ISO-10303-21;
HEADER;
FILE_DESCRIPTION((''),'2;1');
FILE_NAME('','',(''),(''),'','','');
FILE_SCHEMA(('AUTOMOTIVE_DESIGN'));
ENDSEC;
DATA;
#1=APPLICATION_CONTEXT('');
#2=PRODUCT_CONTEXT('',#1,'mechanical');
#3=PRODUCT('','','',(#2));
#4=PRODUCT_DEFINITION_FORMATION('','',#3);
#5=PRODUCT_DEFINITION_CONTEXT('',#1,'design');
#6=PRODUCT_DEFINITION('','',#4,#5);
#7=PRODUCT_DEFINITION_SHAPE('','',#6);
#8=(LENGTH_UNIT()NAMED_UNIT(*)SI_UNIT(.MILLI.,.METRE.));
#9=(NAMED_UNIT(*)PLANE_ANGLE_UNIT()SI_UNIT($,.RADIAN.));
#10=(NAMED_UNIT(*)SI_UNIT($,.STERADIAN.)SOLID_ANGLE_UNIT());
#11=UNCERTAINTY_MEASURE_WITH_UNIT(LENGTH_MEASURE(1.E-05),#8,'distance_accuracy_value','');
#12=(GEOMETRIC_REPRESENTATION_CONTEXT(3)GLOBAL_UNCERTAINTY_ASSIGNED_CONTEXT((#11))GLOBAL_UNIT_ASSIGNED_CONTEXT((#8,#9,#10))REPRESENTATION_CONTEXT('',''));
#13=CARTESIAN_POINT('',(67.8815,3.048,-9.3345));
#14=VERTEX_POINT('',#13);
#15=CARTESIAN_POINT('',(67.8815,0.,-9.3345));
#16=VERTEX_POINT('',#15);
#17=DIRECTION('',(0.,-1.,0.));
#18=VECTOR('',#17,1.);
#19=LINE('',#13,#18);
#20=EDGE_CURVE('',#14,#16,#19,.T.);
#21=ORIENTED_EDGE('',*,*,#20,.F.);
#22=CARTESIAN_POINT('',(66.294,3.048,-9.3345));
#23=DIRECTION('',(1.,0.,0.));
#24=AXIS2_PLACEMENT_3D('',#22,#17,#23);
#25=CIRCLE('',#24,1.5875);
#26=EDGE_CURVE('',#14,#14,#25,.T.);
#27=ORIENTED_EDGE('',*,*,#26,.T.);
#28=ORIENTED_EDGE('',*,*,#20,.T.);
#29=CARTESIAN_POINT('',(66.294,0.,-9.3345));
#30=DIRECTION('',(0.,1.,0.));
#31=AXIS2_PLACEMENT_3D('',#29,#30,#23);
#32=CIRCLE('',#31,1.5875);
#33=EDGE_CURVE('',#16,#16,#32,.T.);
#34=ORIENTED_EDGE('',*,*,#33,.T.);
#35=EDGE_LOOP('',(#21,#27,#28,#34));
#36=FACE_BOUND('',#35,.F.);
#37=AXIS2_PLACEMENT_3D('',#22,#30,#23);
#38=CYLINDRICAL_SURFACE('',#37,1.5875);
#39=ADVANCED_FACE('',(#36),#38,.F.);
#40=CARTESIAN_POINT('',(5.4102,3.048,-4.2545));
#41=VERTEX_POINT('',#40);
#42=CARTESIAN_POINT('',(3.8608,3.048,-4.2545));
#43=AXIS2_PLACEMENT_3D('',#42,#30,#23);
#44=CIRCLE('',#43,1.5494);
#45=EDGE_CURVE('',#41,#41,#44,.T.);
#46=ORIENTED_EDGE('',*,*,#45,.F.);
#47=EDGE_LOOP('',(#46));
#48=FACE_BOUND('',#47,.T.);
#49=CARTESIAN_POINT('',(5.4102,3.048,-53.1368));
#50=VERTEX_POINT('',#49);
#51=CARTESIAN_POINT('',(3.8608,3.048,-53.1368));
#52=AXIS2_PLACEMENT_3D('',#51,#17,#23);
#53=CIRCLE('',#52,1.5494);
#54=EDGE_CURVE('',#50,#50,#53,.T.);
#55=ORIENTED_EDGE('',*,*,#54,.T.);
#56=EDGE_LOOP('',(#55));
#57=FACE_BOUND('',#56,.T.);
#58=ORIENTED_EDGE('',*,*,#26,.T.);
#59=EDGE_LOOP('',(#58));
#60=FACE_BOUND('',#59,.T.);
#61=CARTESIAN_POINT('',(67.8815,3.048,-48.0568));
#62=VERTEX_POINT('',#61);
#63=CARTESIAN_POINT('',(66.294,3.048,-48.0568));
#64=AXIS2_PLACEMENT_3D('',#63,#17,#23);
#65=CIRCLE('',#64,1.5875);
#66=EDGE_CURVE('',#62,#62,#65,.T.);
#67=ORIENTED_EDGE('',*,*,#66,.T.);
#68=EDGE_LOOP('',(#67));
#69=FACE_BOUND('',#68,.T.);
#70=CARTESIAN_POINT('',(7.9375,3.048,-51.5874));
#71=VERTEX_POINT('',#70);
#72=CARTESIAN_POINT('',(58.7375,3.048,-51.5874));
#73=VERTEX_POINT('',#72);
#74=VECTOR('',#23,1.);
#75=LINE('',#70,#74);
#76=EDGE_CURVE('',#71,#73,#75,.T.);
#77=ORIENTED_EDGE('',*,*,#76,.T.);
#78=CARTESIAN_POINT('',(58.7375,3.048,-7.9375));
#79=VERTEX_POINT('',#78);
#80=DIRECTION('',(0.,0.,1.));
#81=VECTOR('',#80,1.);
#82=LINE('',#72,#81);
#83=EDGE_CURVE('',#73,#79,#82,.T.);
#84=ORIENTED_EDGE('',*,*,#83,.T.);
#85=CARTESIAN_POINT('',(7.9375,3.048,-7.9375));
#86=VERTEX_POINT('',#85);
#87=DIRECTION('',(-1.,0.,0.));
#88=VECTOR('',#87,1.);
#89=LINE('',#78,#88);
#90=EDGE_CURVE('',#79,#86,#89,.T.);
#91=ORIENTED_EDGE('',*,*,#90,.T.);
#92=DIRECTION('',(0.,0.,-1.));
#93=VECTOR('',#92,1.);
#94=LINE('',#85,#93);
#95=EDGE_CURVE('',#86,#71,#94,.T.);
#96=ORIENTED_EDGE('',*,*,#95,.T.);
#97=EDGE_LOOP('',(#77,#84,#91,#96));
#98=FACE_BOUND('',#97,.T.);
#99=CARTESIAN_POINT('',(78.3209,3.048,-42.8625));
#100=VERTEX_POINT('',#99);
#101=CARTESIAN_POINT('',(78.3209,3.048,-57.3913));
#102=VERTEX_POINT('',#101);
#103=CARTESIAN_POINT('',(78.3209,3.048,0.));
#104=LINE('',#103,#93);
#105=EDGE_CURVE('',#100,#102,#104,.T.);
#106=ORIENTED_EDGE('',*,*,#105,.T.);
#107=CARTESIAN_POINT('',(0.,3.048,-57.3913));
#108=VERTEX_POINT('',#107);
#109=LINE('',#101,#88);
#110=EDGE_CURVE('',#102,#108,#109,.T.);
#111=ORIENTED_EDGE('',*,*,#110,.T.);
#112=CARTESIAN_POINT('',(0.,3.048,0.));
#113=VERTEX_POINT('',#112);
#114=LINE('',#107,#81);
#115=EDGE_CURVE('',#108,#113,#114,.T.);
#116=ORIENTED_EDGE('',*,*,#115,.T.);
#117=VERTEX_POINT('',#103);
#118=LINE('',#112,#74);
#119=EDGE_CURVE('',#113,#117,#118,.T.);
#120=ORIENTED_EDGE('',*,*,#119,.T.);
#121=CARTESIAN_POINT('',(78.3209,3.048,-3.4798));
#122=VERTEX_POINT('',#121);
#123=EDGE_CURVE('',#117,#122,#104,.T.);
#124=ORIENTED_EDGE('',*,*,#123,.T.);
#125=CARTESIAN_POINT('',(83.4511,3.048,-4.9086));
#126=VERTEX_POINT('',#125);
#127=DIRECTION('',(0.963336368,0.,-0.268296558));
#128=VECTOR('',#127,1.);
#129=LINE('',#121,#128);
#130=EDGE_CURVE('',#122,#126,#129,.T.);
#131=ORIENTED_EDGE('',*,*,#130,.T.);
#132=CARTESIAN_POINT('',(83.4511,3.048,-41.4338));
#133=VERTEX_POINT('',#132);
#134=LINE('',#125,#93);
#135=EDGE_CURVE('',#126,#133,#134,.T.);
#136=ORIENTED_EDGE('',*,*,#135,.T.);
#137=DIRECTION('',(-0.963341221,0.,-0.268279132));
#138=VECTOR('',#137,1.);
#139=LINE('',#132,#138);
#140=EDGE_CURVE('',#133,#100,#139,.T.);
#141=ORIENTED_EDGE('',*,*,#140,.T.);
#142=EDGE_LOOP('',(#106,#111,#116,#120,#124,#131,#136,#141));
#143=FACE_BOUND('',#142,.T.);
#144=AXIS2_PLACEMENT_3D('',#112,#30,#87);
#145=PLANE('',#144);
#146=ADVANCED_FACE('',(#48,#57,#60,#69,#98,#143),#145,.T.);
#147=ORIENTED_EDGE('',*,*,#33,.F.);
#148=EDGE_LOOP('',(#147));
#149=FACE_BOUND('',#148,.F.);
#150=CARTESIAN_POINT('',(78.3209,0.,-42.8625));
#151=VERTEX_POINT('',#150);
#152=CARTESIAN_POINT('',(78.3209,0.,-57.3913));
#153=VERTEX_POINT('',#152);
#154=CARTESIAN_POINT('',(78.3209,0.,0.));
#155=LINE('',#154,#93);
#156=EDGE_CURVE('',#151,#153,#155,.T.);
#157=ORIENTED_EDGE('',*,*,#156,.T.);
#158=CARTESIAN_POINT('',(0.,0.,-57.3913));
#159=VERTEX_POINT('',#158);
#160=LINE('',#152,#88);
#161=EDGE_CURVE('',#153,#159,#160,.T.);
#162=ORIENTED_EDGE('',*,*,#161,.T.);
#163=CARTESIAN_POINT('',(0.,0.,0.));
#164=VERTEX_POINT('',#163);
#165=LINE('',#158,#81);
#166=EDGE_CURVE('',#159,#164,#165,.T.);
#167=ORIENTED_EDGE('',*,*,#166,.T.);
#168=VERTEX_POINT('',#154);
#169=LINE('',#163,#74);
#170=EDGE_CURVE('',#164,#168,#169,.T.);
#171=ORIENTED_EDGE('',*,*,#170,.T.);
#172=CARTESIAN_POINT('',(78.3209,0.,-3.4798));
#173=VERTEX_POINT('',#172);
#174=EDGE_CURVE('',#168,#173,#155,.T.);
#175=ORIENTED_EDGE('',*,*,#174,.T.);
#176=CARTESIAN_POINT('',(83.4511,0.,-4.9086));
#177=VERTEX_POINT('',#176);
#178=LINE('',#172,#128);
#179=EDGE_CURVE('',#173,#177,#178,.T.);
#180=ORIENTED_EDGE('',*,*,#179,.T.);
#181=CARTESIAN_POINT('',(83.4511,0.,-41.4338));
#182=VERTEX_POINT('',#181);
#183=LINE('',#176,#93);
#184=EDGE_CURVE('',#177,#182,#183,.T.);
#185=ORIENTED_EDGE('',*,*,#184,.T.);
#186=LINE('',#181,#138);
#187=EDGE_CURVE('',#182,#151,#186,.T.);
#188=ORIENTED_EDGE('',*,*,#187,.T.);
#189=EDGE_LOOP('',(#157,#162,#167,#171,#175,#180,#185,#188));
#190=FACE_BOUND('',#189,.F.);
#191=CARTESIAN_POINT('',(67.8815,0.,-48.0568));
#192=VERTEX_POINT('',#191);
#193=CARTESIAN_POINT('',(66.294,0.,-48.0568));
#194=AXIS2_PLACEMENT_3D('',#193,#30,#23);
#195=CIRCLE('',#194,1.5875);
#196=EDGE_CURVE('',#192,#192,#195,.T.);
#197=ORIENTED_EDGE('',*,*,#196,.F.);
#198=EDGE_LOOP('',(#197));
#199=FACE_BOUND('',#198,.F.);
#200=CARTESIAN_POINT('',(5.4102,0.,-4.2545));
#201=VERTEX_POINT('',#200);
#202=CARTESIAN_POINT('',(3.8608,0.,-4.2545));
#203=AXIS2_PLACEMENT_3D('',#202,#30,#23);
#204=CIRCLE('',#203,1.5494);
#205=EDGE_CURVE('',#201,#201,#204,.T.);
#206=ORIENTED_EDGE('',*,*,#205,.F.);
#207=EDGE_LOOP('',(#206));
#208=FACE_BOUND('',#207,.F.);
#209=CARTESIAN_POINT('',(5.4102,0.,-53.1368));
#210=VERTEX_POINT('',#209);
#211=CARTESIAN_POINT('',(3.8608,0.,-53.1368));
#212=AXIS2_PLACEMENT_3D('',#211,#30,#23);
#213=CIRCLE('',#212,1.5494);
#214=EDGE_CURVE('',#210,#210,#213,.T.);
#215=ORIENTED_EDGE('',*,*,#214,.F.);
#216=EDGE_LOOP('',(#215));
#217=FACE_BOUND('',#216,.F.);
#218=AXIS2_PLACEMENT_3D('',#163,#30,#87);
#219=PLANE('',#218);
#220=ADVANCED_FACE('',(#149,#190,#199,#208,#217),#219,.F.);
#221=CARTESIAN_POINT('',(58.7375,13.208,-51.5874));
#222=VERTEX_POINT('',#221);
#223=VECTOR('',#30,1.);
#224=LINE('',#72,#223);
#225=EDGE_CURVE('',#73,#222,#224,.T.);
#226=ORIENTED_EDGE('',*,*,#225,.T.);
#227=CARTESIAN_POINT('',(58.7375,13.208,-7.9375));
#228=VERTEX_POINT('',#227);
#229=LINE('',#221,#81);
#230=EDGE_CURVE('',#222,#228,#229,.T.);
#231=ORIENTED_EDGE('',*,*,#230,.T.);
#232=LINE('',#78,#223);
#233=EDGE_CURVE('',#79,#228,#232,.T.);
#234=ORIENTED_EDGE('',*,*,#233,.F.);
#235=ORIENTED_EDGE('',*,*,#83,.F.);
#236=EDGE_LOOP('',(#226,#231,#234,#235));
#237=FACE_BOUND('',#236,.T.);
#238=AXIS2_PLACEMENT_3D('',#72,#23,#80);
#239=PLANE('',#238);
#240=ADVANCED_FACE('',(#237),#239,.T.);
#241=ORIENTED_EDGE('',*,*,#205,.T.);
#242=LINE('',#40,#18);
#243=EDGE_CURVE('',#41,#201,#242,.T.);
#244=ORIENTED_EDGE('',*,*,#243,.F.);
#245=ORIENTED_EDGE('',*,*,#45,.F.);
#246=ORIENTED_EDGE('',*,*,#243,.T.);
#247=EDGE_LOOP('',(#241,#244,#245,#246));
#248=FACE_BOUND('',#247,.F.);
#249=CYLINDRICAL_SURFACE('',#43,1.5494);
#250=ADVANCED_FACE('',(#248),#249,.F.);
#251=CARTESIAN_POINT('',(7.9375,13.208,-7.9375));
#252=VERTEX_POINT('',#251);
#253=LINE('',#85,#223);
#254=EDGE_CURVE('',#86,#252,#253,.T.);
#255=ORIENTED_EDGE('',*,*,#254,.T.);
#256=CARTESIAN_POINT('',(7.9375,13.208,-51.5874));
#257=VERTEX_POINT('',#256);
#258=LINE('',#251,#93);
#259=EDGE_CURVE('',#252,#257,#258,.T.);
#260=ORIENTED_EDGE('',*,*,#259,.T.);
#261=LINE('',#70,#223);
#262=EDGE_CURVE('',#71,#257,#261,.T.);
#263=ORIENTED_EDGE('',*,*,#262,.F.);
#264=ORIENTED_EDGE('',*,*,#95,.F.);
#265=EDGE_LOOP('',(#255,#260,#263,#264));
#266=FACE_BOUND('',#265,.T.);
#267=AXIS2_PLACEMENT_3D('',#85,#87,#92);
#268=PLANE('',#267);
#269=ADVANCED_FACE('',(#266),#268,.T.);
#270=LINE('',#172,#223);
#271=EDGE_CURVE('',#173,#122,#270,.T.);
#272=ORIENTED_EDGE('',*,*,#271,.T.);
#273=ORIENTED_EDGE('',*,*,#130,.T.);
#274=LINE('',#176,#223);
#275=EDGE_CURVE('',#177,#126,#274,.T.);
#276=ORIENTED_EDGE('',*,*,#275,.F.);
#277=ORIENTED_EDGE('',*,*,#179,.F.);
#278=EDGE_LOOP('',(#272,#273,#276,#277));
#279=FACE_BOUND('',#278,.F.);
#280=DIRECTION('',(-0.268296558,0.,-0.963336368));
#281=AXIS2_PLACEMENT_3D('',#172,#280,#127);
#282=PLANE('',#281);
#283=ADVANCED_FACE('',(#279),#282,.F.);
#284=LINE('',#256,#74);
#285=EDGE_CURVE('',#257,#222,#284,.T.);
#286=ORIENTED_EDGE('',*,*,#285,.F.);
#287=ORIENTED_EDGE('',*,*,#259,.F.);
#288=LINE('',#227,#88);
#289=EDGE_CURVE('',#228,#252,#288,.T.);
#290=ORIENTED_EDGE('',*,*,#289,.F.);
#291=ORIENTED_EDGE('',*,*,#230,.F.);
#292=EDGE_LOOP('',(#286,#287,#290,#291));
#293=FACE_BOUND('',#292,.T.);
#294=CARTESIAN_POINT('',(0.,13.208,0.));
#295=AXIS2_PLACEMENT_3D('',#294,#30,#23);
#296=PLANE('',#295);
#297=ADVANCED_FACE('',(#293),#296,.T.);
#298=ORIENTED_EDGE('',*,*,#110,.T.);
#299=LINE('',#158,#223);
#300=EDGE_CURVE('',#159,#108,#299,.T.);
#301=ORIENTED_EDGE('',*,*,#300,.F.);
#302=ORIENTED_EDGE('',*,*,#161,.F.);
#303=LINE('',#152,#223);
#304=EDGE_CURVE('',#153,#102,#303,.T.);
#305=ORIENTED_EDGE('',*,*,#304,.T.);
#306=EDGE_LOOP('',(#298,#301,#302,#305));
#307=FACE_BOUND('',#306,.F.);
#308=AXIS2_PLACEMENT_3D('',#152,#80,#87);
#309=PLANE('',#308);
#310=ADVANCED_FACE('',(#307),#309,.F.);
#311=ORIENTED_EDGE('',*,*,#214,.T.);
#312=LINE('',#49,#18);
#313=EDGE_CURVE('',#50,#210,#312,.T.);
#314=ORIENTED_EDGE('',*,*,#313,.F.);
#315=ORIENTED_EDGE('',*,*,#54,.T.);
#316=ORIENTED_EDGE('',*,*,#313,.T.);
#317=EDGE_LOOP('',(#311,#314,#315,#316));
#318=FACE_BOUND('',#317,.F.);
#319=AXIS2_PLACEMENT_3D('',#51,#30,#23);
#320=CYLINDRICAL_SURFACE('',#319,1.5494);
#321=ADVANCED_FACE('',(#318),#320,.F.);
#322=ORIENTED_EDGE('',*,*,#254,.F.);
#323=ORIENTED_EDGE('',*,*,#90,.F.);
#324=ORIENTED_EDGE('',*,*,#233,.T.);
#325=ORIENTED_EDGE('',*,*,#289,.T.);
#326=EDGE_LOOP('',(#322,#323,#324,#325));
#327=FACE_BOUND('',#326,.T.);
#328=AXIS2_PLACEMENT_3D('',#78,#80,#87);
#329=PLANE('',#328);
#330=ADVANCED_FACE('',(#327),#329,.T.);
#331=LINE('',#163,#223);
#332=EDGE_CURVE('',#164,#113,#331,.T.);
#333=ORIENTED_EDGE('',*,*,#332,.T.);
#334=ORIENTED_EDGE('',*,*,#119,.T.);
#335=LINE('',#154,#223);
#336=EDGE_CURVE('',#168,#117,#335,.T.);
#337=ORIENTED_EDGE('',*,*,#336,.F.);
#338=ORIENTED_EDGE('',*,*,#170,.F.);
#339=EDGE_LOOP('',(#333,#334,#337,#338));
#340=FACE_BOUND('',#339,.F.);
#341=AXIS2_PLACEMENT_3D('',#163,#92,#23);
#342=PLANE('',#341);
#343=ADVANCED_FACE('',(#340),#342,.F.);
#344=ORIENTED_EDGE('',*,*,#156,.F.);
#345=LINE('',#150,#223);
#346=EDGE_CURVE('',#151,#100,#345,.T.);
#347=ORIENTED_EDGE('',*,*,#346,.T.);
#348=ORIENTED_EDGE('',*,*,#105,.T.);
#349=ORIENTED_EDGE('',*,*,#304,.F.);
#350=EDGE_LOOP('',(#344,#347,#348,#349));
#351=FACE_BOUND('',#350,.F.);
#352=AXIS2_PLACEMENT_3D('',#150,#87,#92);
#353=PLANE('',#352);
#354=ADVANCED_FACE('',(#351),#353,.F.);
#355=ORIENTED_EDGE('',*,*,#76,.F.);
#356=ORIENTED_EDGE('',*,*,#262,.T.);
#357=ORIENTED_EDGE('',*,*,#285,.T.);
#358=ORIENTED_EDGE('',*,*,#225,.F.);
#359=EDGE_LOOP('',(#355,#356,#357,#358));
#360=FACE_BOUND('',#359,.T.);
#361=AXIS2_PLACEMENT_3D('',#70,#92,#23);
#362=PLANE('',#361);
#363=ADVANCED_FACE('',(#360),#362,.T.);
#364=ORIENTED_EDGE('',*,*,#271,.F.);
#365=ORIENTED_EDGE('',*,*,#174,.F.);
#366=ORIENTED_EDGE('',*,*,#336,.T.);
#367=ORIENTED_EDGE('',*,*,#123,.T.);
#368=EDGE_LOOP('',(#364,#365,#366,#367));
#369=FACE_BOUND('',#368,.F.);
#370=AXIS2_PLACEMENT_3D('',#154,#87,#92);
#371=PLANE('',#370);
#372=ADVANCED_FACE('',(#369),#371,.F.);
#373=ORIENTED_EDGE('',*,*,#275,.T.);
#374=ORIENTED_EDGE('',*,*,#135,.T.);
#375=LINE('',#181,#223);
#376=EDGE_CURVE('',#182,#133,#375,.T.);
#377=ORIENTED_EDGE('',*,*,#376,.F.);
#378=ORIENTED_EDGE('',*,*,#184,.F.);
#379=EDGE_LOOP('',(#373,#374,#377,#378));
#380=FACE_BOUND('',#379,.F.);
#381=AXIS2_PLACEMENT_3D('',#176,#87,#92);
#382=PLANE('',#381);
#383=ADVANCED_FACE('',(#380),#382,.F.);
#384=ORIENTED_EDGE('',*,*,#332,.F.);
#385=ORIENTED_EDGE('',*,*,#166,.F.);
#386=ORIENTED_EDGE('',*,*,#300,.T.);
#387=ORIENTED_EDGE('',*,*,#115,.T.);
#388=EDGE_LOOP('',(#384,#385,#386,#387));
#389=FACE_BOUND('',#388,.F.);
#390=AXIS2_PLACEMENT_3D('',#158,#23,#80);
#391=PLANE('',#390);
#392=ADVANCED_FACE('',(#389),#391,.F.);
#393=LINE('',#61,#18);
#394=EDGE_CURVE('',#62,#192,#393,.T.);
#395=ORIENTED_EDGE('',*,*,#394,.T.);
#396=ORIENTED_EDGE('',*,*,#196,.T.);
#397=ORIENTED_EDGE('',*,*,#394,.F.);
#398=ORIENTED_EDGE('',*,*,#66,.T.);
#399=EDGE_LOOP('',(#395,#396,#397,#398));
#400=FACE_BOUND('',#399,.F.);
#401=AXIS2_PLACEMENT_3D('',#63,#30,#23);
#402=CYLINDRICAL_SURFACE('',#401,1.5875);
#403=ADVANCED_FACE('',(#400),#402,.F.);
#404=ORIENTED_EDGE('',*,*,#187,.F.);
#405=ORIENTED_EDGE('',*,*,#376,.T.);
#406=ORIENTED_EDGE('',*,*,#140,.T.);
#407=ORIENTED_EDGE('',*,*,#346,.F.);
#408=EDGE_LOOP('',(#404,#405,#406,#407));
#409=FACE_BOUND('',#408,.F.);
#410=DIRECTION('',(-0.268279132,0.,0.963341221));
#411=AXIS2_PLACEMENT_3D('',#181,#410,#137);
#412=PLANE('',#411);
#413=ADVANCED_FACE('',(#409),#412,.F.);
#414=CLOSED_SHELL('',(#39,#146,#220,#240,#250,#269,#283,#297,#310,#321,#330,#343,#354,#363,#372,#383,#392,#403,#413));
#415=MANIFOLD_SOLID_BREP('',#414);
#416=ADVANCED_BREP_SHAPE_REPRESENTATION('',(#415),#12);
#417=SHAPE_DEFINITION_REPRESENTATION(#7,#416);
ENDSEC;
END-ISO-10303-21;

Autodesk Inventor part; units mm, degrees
ref_plane "YZ Plane" through (0, 0, 0) normal (1, 0, 0) x (0, 1, 0)
ref_plane "XZ Plane" through (0, 0, 0) normal (0, 1, 0) x (-1, 0, 0)
ref_plane "XY Plane" through (0, 0, 0) normal (0, 0, 1) x (1, 0, 0)
sketch "Sketch1" plane through (0, 0, 0) normal (0, 1, 0) x (-1, 0, 0)
  line L0 (0, 0) -> (-78.3209, 0)
  line L1 (-78.3209, 0) -> (-78.3209, -57.3913)
  line L2 (-78.3209, -57.3913) -> (0, -57.3913)
  line L3 (0, -57.3913) -> (0, 0)
  line L4 (-78.3209, -3.4798) -> (-78.3209, -42.8625)
  line L5 (-83.4511, -4.9086) -> (-83.4511, -41.4338)
  line L6 (-78.3209, -3.4798) -> (-83.4511, -4.9086)
  line L7 (-83.4511, -41.4338) -> (-78.3209, -42.8625)
  line L8 (-78.3209, -57.3913) -> (-78.3209, -42.8625)
  dimension "d0" = 78.3209
  dimension "d1" = 57.3913
  dimension "d2" = 39.3827
  dimension "d3" = 36.5252
  dimension "d4" = 14.5288
  dimension "d5" = 5.1303
extrude "Extrusion1" add sketch "Sketch1" along normal blind 3.048
sketch "Sketch2" plane through (0, 3.048, 0) normal (0, 1, 0) x (1, 0, 0)
  line L0 (78.3209, 57.3913) -> (0, 57.3913) projected
  line L1 (0, 57.3913) -> (2.3114, 57.3913)
  line L2 (2.3114, 57.3913) -> (2.3114, 54.6862)
  line L3 (2.3114, 54.6862) -> (0, 54.6862)
  line L4 (0, 54.6862) -> (0, 57.3913)
  line L5 (2.3114, 54.6862) -> (5.4864, 54.6862)
  line L6 (5.4864, 54.6862) -> (5.4864, 51.5874)
  line L7 (5.4864, 51.5874) -> (2.3114, 51.5874)
  line L8 (2.3114, 51.5874) -> (2.3114, 54.6862)
  circle A0 centre (3.8608, 53.1368) radius 1.5494
  line L9 (0, 57.3913) -> (0, 0) projected
  line L10 (0, 28.6957) -> (25.4, 28.6957)
  circle A1 centre (3.8608, 4.2545) radius 1.5494
  line L11 (0, 0) -> (78.3209, 0) projected
  line L12 (78.3209, 0) -> (67.8815, 0)
  line L13 (67.8815, 0) -> (67.8815, 57.3913)
  line L14 (67.8815, 57.3913) -> (78.3209, 57.3913)
  line L15 (78.3209, 57.3913) -> (78.3209, 0)
  line L16 (67.8815, 57.3913) -> (67.8815, 49.6443)
  line L17 (67.8815, 0) -> (67.8815, 7.747)
  line L18 (67.8815, 7.747) -> (64.7065, 7.747)
  line L19 (64.7065, 7.747) -> (64.7065, 10.922)
  line L20 (64.7065, 10.922) -> (67.8815, 10.922)
  line L21 (67.8815, 10.922) -> (67.8815, 7.747)
  line L22 (67.8815, 49.6443) -> (64.7065, 49.6443)
  line L23 (64.7065, 49.6443) -> (64.7065, 46.4693)
  line L24 (64.7065, 46.4693) -> (67.8815, 46.4693)
  line L25 (67.8815, 46.4693) -> (67.8815, 49.6443)
  circle A2 centre (66.294, 9.3345) radius 1.5875
  circle A3 centre (66.294, 48.0568) radius 1.5875
  dimension "d8" = 2.3114
  dimension "d9" = 2.7051
  dimension "d10" = 3.175
  dimension "d11" = 3.0988
  dimension "d12" = 10.4394
  dimension "d13" = 7.747
  dimension "d14" = 7.747
  dimension "d15" = 3.175
  dimension "d16" = 3.175
  dimension "d17" = 3.175
  dimension "d18" = 3.175
extrude "Extrusion2" cut sketch "Sketch2" against normal blind 3.048 contours A3 | A0 | A2 | A1
sketch "Sketch3" plane through (0, 3.048, 0) normal (0, 1, 0) x (1, 0, 0)
  line L0 (7.9375, 51.5874) -> (58.7375, 51.5874)
  line L1 (58.7375, 51.5874) -> (58.7375, 7.9375)
  line L2 (58.7375, 7.9375) -> (7.9375, 7.9375)
  line L3 (7.9375, 7.9375) -> (7.9375, 51.5874)
  point P0 (0, 0)
extrude "Extrusion3" add sketch "Sketch3" along normal blind 10.16
sketch "Sketch4" plane through (0, 0, 0) normal (0, -1, 0) x (1, 0, 0)
  line L0 (78.3209, -57.3913) -> (0, -57.3913) projected
  line L1 (0, 0) -> (78.3209, 0)
  line L2 (78.3209, 0) -> (78.3209, -57.3913)
  line L3 (78.3209, -57.3913) -> (0, -57.3913)
  line L4 (0, -57.3913) -> (0, 0)
  line L5 (0, 0) -> (78.3209, 0) projected
  line L6 (39.1604, 0) -> (39.1604, -57.3913)
  line L7 (78.3209, -28.6957) -> (0, -28.6957)
  line L8 (0, -57.3913) -> (0, 0) projected
sketch "Sketch5" plane through (0, 0, 0) normal (0, -1, 0) x (1, 0, 0)
  line L0 (39.1604, 0) -> (39.1604, -57.3913) projected
  line L1 (78.3209, -28.6957) -> (0, -28.6957) projected
  circle A0 centre (3.8608, -53.1368) radius 1.5494 projected
  line L2 (39.1604, -28.6957) -> (3.8608, -28.6957)
  line L3 (3.8608, -28.6957) -> (3.8608, -53.1368)
  line L4 (3.8608, -53.1368) -> (39.1604, -53.1368)
  line L5 (39.1604, -53.1368) -> (39.1604, -28.6957)
  circle A1 centre (3.8608, -4.2545) radius 1.5494 projected
  line L6 (39.1604, -28.6957) -> (3.8608, -28.6957)
  line L7 (3.8608, -28.6957) -> (3.8608, -4.2545)
  line L8 (3.8608, -4.2545) -> (39.1604, -4.2545)
  line L9 (39.1604, -4.2545) -> (39.1604, -28.6957)
  circle A2 centre (66.294, -9.3345) radius 1.5875 projected
  line L10 (39.1604, -28.6957) -> (66.294, -28.6957)
  line L11 (66.294, -28.6957) -> (66.294, -9.3345)
  line L12 (66.294, -9.3345) -> (39.1604, -9.3345)
  line L13 (39.1604, -9.3345) -> (39.1604, -28.6957)
  circle A3 centre (66.294, -48.0568) radius 1.5875 projected
  line L14 (39.1604, -28.6957) -> (66.294, -28.6957)
  line L15 (66.294, -28.6957) -> (66.294, -48.0568)
  line L16 (66.294, -48.0568) -> (39.1604, -48.0568)
  line L17 (39.1604, -48.0568) -> (39.1604, -28.6957)
  point P0 (0, 0)
  dimension "d23" = 24.4412
  dimension "d24" = 24.4412
  dimension "d25" = 35.2996
  dimension "d26" = 35.2996
  dimension "d27" = 27.1335
  dimension "d28" = 27.1335
  dimension "d29" = 19.3611
  dimension "d30" = 19.3611
properties part number "ProArduino"
